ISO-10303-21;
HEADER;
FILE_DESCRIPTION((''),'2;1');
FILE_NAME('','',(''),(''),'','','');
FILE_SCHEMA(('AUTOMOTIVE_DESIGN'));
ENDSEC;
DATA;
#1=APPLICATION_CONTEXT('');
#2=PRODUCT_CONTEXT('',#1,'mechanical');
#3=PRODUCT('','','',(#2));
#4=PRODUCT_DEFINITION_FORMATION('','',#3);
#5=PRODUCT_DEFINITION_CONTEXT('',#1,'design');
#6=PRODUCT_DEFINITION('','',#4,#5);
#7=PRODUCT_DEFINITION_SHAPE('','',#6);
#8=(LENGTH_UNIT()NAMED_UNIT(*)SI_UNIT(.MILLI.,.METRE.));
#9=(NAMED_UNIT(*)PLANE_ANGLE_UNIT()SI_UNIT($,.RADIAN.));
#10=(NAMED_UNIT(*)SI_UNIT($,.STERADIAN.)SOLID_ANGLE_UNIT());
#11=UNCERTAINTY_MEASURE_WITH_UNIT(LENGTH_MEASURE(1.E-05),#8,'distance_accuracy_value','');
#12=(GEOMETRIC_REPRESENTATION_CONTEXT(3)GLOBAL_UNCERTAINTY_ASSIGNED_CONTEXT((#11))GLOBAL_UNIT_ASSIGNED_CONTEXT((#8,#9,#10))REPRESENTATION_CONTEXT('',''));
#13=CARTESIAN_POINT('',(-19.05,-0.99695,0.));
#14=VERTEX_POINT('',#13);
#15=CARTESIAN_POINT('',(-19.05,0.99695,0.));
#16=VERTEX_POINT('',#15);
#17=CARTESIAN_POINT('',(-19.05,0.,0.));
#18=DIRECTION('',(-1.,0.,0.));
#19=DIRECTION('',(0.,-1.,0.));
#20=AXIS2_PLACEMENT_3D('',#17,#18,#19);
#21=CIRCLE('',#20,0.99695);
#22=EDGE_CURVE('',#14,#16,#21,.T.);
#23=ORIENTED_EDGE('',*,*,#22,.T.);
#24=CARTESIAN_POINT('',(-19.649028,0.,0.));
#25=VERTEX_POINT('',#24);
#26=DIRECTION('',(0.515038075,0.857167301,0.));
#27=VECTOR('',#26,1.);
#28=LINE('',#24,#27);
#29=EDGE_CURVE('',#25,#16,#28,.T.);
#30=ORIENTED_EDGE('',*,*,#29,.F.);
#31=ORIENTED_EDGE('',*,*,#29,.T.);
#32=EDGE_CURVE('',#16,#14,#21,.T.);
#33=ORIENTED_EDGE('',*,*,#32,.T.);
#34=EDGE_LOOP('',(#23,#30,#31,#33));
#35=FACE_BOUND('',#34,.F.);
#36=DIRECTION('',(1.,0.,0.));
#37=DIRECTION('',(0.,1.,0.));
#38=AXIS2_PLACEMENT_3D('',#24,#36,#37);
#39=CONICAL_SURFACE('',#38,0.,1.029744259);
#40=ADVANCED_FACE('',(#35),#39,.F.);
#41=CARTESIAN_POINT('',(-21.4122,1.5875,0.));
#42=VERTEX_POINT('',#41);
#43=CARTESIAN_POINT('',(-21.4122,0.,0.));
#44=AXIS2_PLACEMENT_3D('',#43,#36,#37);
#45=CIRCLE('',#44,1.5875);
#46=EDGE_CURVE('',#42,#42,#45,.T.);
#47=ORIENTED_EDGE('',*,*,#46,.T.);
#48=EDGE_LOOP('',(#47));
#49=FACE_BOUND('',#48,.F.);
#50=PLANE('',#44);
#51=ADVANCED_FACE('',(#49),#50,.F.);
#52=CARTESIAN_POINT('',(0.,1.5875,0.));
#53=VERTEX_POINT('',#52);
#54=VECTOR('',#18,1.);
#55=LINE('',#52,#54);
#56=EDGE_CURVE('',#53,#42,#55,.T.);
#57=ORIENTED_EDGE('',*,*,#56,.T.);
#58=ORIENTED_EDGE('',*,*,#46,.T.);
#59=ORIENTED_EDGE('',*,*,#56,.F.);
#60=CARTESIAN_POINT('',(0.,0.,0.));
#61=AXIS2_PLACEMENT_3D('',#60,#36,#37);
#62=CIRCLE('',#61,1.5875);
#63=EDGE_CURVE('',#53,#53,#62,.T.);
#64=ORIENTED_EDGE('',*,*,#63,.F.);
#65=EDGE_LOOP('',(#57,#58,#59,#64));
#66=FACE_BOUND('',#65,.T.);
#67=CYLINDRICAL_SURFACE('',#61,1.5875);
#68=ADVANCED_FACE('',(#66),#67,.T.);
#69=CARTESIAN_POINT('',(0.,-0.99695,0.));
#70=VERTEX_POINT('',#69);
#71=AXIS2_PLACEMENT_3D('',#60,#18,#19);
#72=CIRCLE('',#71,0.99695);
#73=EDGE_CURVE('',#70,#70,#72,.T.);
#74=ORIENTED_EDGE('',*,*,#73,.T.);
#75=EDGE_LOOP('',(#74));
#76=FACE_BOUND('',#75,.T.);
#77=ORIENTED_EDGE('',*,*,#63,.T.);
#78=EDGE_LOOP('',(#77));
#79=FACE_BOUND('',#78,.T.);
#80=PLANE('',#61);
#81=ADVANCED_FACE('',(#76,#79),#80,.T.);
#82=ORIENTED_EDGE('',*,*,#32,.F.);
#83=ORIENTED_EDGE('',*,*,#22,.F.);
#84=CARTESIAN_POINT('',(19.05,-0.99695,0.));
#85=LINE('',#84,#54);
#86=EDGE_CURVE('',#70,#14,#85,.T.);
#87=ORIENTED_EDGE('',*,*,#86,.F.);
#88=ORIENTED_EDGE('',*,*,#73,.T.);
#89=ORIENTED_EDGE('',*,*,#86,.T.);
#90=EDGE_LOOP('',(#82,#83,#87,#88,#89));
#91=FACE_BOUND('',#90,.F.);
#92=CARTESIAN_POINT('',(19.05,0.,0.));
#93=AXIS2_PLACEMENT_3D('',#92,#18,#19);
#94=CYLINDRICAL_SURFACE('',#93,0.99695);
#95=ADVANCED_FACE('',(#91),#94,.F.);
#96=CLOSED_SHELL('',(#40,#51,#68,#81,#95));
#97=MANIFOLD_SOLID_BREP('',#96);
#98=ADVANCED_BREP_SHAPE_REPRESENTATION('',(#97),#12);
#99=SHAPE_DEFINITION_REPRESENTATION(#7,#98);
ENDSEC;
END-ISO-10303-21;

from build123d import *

# Parameters (mm, degrees)
F0_R     = 1.5875
F1_DEPTH = 21.4122
F3_D     = 1.9939
F3_DEPTH = 19.05
F3_TIP   = 0.5990279941


with BuildPart() as f1:
    # F0 (on Right) → F1 (new body)
    with BuildSketch(Plane.YZ):
        Circle(F0_R)
    extrude(amount=-F1_DEPTH)

    # F3
    with Locations(Plane.YZ):
        with Locations((0, 0)):
            Hole(F3_D / 2, depth=F3_DEPTH)
            with Locations((0, 0, -(F3_DEPTH + F3_TIP / 2))):  # 118° drill point
                Cone(0, F3_D / 2, F3_TIP, mode=Mode.SUBTRACT)


solid = f1.part
